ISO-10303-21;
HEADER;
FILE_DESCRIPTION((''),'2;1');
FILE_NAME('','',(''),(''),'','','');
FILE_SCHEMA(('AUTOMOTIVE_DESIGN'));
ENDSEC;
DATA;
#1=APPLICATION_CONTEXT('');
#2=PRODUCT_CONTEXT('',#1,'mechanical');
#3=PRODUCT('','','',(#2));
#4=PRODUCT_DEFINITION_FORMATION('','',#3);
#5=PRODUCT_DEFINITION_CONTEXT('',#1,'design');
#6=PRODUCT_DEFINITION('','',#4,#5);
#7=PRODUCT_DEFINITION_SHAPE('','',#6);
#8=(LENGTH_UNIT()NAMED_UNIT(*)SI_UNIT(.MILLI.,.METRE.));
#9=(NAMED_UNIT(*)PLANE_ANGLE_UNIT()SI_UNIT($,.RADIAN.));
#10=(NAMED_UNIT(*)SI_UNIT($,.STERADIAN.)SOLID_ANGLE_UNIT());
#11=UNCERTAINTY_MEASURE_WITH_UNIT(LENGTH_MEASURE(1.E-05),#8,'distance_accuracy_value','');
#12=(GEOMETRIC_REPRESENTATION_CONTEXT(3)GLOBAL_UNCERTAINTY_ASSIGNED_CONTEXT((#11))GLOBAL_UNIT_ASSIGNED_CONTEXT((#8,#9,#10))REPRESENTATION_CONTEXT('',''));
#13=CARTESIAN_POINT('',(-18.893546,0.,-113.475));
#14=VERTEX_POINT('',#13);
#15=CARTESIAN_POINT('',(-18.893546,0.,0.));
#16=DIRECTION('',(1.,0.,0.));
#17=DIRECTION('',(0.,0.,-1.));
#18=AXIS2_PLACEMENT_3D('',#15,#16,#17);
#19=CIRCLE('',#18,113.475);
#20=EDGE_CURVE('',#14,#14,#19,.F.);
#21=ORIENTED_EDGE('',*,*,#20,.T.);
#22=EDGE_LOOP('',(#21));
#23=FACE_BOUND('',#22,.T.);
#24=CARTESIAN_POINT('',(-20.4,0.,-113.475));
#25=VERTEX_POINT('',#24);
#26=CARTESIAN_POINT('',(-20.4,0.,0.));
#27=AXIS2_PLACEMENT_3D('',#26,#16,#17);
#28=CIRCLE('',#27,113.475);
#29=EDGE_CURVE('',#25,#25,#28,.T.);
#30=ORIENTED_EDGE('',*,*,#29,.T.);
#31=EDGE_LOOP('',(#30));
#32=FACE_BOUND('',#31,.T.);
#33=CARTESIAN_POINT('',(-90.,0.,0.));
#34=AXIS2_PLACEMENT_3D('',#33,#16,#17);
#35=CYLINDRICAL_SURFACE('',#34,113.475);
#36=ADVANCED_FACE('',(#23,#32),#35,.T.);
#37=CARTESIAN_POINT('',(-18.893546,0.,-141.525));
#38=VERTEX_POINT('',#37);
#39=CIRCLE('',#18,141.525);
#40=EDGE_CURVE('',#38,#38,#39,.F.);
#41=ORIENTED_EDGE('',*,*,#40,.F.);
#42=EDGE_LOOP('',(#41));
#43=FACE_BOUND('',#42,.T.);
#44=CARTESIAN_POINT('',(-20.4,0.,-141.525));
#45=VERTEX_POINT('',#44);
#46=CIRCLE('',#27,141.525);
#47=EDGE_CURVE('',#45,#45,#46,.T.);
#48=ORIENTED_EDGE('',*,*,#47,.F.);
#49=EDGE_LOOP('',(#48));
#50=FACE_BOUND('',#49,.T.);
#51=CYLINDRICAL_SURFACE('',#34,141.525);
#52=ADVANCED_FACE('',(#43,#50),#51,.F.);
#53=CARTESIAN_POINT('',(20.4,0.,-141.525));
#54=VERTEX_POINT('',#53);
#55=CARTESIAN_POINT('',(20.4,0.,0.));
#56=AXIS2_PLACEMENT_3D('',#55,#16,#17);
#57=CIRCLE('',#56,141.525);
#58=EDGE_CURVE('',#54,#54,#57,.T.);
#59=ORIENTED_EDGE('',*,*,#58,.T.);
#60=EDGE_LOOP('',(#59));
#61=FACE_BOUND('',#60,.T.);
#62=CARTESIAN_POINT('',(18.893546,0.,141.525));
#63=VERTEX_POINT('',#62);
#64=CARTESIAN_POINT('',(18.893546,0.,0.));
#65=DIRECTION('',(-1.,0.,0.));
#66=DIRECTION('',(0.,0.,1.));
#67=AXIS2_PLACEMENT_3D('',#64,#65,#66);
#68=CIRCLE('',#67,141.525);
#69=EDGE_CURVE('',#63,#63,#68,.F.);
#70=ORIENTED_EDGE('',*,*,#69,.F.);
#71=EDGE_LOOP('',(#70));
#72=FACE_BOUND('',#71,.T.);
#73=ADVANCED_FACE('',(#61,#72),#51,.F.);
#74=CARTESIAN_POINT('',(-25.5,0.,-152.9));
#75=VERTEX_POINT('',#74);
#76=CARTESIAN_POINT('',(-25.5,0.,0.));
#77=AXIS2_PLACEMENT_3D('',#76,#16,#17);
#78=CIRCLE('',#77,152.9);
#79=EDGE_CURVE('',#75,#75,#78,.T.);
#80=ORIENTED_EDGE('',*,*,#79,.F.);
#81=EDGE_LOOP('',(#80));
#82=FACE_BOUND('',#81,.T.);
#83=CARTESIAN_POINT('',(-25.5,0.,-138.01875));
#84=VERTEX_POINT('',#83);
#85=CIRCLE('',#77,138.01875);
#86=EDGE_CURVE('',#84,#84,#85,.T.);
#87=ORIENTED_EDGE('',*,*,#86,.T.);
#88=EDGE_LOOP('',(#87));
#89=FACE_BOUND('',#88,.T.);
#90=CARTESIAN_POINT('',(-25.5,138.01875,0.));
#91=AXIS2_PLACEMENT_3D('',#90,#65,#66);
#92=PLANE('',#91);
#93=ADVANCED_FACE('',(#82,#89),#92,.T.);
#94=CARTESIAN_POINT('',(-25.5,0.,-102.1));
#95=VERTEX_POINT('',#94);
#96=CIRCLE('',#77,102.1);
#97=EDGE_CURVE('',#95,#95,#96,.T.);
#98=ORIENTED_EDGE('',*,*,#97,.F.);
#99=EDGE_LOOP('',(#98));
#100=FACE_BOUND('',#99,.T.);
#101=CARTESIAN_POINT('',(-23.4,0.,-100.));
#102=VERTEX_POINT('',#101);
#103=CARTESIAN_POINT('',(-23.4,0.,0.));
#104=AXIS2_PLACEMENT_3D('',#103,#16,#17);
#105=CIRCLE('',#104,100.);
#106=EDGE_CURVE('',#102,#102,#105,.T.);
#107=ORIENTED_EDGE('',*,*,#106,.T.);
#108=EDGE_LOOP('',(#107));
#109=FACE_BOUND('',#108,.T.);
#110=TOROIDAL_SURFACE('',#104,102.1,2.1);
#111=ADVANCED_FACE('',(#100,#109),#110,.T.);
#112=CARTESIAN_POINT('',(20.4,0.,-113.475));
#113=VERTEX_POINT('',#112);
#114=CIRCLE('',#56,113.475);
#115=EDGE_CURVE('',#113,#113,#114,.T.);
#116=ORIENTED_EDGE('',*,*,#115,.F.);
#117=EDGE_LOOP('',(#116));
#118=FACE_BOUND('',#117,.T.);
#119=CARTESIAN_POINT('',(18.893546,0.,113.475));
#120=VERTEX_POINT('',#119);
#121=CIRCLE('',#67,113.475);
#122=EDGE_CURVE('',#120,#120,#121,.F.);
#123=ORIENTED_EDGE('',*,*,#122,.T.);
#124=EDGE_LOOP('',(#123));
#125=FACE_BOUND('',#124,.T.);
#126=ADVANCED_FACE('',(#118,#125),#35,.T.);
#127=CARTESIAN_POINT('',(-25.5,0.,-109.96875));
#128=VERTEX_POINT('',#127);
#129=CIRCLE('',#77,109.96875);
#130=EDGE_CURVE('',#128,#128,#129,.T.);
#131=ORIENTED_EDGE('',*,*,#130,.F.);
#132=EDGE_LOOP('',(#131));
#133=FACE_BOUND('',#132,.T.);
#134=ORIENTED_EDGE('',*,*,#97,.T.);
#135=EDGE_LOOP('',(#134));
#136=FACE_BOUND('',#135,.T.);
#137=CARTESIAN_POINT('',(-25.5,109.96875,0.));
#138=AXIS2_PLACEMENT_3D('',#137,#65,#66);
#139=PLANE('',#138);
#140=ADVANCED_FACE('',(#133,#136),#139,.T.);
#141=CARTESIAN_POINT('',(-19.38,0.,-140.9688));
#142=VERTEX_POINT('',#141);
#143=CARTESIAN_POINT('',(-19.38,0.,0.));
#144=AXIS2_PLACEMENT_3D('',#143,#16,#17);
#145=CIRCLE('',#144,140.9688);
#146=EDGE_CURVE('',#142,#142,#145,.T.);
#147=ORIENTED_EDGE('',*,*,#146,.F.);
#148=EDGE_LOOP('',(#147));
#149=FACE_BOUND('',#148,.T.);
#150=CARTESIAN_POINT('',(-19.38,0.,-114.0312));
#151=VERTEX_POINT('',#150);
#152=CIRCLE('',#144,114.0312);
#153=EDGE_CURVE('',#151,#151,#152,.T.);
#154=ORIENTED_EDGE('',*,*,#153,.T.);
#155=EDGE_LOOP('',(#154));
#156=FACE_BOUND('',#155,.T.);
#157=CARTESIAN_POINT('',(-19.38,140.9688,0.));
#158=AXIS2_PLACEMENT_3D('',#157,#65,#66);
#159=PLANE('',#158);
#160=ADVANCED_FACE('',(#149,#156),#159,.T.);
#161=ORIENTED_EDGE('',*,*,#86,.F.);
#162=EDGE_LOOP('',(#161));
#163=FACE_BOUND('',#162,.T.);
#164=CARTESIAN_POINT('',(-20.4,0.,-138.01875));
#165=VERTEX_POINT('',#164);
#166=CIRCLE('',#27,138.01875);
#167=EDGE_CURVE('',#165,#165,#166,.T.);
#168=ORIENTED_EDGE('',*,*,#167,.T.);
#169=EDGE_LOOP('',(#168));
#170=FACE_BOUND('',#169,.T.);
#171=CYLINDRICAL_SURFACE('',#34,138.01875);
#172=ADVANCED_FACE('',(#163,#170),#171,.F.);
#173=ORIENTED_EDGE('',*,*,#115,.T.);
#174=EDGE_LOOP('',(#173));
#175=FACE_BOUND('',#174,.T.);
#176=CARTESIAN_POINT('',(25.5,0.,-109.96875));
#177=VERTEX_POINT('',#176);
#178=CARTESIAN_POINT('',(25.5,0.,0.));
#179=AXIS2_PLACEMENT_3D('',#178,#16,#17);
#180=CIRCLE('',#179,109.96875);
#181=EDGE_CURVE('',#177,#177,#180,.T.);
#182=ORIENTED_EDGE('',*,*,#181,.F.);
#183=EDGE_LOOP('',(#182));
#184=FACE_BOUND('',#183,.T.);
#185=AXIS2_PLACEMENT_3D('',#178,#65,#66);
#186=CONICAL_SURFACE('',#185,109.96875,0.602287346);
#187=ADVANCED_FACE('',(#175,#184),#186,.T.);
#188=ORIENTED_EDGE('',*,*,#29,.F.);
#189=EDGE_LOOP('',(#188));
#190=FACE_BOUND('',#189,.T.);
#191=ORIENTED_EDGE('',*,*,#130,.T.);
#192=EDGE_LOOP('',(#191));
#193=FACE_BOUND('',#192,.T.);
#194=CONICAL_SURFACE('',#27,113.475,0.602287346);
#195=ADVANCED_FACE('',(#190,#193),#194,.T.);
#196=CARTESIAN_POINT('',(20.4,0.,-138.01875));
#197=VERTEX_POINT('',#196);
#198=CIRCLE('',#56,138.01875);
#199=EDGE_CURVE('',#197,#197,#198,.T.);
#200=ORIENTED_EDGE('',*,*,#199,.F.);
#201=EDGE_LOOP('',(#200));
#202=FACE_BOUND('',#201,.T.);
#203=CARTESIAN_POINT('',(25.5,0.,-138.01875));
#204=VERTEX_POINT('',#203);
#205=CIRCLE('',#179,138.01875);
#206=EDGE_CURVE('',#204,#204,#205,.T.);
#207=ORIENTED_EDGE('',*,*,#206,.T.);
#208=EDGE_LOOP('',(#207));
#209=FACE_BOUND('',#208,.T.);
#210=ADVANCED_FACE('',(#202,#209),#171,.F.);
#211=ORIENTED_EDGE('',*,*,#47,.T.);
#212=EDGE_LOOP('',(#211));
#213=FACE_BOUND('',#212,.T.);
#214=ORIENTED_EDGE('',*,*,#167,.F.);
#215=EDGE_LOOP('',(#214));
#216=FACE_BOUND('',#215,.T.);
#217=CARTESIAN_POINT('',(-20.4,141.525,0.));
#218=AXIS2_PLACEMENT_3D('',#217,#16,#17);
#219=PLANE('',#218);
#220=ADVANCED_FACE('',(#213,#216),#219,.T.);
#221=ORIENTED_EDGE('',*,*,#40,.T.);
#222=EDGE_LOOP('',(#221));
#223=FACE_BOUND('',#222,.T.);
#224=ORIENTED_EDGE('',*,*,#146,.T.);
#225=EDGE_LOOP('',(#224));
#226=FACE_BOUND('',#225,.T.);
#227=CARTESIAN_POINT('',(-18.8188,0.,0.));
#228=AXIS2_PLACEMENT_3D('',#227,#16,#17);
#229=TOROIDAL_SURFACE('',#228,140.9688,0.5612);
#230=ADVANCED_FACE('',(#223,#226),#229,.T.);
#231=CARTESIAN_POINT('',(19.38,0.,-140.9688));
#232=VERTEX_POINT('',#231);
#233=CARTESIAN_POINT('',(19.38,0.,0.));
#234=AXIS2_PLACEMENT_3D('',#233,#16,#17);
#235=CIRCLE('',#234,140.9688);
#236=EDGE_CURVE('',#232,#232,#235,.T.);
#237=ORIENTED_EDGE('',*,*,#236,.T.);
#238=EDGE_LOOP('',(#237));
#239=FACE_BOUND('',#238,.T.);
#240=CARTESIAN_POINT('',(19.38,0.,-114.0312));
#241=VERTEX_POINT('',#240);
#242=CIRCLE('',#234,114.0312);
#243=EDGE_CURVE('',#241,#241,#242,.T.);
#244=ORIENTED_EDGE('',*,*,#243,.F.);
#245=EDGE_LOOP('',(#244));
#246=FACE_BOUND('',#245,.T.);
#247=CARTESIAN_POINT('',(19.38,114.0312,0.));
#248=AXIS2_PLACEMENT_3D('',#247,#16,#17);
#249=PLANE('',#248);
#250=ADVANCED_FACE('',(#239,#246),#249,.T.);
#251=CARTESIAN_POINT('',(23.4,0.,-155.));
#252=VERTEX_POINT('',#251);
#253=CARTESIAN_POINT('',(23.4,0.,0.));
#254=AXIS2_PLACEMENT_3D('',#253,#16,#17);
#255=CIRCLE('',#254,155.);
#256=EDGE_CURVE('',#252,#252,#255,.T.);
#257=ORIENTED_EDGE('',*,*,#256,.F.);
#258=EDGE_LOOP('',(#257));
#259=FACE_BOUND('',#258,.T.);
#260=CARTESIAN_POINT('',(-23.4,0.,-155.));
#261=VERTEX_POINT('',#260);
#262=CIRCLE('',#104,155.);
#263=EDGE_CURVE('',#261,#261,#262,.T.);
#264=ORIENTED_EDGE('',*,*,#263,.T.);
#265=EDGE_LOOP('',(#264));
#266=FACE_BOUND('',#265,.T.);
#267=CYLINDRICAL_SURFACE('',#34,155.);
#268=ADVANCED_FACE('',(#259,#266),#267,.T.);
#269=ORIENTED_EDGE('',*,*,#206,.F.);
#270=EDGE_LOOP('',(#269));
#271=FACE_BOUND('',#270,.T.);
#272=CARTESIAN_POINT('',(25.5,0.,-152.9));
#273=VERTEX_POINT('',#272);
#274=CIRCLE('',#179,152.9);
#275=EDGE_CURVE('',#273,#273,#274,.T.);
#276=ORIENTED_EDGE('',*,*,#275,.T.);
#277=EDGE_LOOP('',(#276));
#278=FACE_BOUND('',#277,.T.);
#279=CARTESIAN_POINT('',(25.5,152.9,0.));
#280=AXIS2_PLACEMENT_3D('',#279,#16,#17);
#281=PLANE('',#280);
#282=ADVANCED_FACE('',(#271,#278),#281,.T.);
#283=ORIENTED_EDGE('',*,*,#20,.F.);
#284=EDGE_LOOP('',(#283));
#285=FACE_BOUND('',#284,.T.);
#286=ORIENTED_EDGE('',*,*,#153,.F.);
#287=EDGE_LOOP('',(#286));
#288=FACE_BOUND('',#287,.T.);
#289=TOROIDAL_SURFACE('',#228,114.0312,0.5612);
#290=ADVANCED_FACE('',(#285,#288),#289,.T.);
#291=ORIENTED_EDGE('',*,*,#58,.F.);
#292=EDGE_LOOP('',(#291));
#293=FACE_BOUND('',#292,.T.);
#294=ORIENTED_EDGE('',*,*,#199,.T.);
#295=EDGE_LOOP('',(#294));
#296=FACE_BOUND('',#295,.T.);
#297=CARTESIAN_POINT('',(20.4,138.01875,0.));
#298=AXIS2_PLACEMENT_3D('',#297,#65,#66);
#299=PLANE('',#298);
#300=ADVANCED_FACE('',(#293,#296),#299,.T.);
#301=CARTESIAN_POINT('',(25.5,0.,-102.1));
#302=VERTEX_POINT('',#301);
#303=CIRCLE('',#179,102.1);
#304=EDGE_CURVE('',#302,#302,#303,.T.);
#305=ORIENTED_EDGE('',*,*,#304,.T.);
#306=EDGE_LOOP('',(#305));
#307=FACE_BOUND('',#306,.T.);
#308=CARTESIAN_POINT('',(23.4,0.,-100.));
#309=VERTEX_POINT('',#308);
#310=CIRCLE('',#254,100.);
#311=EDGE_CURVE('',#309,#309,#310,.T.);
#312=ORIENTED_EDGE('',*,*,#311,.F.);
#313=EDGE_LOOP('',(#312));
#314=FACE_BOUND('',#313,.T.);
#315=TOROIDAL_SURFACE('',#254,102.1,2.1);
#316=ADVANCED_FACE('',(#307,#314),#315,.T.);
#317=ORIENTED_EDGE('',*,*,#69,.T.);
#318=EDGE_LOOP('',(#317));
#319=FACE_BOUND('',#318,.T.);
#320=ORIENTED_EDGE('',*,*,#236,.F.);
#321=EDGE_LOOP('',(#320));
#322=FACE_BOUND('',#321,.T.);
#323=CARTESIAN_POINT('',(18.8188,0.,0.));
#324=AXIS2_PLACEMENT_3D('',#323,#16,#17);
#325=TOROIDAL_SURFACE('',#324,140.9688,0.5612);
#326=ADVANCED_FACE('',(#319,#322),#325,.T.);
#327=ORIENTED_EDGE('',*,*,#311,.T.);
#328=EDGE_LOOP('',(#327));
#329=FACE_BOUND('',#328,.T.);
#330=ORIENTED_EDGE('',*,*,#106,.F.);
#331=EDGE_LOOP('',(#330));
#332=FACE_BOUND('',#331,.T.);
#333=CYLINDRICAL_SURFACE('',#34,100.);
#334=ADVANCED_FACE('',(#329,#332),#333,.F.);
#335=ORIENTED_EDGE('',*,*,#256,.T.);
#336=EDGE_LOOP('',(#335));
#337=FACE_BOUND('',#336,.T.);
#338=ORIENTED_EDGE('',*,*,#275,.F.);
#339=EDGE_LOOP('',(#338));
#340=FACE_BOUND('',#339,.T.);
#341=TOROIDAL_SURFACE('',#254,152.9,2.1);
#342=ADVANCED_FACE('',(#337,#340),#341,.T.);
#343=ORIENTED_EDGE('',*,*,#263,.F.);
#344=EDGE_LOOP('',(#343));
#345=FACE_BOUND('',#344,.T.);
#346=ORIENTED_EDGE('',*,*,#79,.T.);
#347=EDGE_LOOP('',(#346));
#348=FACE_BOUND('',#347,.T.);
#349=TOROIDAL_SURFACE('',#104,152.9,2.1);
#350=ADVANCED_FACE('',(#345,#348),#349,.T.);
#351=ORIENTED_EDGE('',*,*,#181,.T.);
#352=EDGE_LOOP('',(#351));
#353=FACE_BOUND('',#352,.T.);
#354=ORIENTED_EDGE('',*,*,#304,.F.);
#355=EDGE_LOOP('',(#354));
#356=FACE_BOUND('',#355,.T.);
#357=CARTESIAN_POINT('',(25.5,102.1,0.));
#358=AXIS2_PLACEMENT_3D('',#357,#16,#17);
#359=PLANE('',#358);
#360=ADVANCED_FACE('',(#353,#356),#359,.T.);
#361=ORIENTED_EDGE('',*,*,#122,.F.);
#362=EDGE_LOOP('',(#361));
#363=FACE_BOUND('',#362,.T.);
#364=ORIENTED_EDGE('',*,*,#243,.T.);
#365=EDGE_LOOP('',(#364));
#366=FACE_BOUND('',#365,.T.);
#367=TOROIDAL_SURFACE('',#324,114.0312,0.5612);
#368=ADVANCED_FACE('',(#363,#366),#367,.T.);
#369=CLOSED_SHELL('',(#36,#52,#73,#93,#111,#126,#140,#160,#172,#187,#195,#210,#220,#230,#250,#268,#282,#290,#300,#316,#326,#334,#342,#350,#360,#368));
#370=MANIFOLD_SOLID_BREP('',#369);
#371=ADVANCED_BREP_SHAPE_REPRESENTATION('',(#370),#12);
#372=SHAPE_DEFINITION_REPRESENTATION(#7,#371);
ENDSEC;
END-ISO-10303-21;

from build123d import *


with BuildPart() as part:
    # OutRacSke → OuterRace (revolve)
    with BuildSketch(Plane.XY):
        with BuildLine():
            Line((-20.4, 138.01875), (-25.5, 138.01875))
            Line((-25.5, 138.01875), (-25.5, 152.9))
            ThreePointArc((-25.5, 152.9), (-24.88492424, 154.38492424), (-23.4, 155))
            Line((-23.4, 155), (23.4, 155))
            ThreePointArc((23.4, 155), (24.88492424, 154.38492424), (25.5, 152.9))
            Line((25.5, 152.9), (25.5, 138.01875))
            Line((25.5, 138.01875), (20.4, 138.01875))
            Line((20.4, 138.01875), (20.4, 141.525))
            Line((20.4, 141.525), (-20.4, 141.525))
            Line((-20.4, 141.525), (-20.4, 138.01875))
        make_face()
    revolve(axis=Axis((-90, 0, 0), (1, 0, 0)))

    # RolSimSke → RollersSimplified (revolve)
    with BuildSketch(Plane(origin=(0, 101.6, 0), x_dir=(1, 0, 0), z_dir=(0, 0, 1))):
        with BuildLine():
            Line((-19.38, 39.3688), (-19.38, 12.4312))
            ThreePointArc((-19.38, 12.4312), (-19.215628326, 12.034371674), (-18.8188, 11.87))
            Line((-18.8188, 11.87), (18.8188, 11.87))
            ThreePointArc((18.8188, 11.87), (19.215628326, 12.034371674), (19.38, 12.4312))
            Line((19.38, 12.4312), (19.38, 39.3688))
            ThreePointArc((19.38, 39.3688), (19.215628326, 39.765628326), (18.8188, 39.93))
            Line((18.8188, 39.93), (-18.8188, 39.93))
            ThreePointArc((-18.8188, 39.93), (-19.215628326, 39.765628326), (-19.38, 39.3688))
        make_face()
    revolve(axis=Axis((25.4, 0, 0), (-1, 0, 0)))

    # InsRacSke → InnerRace (revolve)
    with BuildSketch(Plane.XY):
        with BuildLine():
            Line((-20.4, 113.475), (-25.5, 109.96875))
            Line((-25.5, 109.96875), (-25.5, 102.1))
            ThreePointArc((-25.5, 102.1), (-24.88492424, 100.61507576), (-23.4, 100))
            Line((-23.4, 100), (23.4, 100))
            ThreePointArc((23.4, 100), (24.88492424, 100.61507576), (25.5, 102.1))
            Line((25.5, 102.1), (25.5, 109.96875))
            Line((25.5, 109.96875), (20.4, 113.475))
            Line((20.4, 113.475), (-20.4, 113.475))
        make_face()
    revolve(axis=Axis((-90, 0, 0), (1, 0, 0)))


solid = part.part
